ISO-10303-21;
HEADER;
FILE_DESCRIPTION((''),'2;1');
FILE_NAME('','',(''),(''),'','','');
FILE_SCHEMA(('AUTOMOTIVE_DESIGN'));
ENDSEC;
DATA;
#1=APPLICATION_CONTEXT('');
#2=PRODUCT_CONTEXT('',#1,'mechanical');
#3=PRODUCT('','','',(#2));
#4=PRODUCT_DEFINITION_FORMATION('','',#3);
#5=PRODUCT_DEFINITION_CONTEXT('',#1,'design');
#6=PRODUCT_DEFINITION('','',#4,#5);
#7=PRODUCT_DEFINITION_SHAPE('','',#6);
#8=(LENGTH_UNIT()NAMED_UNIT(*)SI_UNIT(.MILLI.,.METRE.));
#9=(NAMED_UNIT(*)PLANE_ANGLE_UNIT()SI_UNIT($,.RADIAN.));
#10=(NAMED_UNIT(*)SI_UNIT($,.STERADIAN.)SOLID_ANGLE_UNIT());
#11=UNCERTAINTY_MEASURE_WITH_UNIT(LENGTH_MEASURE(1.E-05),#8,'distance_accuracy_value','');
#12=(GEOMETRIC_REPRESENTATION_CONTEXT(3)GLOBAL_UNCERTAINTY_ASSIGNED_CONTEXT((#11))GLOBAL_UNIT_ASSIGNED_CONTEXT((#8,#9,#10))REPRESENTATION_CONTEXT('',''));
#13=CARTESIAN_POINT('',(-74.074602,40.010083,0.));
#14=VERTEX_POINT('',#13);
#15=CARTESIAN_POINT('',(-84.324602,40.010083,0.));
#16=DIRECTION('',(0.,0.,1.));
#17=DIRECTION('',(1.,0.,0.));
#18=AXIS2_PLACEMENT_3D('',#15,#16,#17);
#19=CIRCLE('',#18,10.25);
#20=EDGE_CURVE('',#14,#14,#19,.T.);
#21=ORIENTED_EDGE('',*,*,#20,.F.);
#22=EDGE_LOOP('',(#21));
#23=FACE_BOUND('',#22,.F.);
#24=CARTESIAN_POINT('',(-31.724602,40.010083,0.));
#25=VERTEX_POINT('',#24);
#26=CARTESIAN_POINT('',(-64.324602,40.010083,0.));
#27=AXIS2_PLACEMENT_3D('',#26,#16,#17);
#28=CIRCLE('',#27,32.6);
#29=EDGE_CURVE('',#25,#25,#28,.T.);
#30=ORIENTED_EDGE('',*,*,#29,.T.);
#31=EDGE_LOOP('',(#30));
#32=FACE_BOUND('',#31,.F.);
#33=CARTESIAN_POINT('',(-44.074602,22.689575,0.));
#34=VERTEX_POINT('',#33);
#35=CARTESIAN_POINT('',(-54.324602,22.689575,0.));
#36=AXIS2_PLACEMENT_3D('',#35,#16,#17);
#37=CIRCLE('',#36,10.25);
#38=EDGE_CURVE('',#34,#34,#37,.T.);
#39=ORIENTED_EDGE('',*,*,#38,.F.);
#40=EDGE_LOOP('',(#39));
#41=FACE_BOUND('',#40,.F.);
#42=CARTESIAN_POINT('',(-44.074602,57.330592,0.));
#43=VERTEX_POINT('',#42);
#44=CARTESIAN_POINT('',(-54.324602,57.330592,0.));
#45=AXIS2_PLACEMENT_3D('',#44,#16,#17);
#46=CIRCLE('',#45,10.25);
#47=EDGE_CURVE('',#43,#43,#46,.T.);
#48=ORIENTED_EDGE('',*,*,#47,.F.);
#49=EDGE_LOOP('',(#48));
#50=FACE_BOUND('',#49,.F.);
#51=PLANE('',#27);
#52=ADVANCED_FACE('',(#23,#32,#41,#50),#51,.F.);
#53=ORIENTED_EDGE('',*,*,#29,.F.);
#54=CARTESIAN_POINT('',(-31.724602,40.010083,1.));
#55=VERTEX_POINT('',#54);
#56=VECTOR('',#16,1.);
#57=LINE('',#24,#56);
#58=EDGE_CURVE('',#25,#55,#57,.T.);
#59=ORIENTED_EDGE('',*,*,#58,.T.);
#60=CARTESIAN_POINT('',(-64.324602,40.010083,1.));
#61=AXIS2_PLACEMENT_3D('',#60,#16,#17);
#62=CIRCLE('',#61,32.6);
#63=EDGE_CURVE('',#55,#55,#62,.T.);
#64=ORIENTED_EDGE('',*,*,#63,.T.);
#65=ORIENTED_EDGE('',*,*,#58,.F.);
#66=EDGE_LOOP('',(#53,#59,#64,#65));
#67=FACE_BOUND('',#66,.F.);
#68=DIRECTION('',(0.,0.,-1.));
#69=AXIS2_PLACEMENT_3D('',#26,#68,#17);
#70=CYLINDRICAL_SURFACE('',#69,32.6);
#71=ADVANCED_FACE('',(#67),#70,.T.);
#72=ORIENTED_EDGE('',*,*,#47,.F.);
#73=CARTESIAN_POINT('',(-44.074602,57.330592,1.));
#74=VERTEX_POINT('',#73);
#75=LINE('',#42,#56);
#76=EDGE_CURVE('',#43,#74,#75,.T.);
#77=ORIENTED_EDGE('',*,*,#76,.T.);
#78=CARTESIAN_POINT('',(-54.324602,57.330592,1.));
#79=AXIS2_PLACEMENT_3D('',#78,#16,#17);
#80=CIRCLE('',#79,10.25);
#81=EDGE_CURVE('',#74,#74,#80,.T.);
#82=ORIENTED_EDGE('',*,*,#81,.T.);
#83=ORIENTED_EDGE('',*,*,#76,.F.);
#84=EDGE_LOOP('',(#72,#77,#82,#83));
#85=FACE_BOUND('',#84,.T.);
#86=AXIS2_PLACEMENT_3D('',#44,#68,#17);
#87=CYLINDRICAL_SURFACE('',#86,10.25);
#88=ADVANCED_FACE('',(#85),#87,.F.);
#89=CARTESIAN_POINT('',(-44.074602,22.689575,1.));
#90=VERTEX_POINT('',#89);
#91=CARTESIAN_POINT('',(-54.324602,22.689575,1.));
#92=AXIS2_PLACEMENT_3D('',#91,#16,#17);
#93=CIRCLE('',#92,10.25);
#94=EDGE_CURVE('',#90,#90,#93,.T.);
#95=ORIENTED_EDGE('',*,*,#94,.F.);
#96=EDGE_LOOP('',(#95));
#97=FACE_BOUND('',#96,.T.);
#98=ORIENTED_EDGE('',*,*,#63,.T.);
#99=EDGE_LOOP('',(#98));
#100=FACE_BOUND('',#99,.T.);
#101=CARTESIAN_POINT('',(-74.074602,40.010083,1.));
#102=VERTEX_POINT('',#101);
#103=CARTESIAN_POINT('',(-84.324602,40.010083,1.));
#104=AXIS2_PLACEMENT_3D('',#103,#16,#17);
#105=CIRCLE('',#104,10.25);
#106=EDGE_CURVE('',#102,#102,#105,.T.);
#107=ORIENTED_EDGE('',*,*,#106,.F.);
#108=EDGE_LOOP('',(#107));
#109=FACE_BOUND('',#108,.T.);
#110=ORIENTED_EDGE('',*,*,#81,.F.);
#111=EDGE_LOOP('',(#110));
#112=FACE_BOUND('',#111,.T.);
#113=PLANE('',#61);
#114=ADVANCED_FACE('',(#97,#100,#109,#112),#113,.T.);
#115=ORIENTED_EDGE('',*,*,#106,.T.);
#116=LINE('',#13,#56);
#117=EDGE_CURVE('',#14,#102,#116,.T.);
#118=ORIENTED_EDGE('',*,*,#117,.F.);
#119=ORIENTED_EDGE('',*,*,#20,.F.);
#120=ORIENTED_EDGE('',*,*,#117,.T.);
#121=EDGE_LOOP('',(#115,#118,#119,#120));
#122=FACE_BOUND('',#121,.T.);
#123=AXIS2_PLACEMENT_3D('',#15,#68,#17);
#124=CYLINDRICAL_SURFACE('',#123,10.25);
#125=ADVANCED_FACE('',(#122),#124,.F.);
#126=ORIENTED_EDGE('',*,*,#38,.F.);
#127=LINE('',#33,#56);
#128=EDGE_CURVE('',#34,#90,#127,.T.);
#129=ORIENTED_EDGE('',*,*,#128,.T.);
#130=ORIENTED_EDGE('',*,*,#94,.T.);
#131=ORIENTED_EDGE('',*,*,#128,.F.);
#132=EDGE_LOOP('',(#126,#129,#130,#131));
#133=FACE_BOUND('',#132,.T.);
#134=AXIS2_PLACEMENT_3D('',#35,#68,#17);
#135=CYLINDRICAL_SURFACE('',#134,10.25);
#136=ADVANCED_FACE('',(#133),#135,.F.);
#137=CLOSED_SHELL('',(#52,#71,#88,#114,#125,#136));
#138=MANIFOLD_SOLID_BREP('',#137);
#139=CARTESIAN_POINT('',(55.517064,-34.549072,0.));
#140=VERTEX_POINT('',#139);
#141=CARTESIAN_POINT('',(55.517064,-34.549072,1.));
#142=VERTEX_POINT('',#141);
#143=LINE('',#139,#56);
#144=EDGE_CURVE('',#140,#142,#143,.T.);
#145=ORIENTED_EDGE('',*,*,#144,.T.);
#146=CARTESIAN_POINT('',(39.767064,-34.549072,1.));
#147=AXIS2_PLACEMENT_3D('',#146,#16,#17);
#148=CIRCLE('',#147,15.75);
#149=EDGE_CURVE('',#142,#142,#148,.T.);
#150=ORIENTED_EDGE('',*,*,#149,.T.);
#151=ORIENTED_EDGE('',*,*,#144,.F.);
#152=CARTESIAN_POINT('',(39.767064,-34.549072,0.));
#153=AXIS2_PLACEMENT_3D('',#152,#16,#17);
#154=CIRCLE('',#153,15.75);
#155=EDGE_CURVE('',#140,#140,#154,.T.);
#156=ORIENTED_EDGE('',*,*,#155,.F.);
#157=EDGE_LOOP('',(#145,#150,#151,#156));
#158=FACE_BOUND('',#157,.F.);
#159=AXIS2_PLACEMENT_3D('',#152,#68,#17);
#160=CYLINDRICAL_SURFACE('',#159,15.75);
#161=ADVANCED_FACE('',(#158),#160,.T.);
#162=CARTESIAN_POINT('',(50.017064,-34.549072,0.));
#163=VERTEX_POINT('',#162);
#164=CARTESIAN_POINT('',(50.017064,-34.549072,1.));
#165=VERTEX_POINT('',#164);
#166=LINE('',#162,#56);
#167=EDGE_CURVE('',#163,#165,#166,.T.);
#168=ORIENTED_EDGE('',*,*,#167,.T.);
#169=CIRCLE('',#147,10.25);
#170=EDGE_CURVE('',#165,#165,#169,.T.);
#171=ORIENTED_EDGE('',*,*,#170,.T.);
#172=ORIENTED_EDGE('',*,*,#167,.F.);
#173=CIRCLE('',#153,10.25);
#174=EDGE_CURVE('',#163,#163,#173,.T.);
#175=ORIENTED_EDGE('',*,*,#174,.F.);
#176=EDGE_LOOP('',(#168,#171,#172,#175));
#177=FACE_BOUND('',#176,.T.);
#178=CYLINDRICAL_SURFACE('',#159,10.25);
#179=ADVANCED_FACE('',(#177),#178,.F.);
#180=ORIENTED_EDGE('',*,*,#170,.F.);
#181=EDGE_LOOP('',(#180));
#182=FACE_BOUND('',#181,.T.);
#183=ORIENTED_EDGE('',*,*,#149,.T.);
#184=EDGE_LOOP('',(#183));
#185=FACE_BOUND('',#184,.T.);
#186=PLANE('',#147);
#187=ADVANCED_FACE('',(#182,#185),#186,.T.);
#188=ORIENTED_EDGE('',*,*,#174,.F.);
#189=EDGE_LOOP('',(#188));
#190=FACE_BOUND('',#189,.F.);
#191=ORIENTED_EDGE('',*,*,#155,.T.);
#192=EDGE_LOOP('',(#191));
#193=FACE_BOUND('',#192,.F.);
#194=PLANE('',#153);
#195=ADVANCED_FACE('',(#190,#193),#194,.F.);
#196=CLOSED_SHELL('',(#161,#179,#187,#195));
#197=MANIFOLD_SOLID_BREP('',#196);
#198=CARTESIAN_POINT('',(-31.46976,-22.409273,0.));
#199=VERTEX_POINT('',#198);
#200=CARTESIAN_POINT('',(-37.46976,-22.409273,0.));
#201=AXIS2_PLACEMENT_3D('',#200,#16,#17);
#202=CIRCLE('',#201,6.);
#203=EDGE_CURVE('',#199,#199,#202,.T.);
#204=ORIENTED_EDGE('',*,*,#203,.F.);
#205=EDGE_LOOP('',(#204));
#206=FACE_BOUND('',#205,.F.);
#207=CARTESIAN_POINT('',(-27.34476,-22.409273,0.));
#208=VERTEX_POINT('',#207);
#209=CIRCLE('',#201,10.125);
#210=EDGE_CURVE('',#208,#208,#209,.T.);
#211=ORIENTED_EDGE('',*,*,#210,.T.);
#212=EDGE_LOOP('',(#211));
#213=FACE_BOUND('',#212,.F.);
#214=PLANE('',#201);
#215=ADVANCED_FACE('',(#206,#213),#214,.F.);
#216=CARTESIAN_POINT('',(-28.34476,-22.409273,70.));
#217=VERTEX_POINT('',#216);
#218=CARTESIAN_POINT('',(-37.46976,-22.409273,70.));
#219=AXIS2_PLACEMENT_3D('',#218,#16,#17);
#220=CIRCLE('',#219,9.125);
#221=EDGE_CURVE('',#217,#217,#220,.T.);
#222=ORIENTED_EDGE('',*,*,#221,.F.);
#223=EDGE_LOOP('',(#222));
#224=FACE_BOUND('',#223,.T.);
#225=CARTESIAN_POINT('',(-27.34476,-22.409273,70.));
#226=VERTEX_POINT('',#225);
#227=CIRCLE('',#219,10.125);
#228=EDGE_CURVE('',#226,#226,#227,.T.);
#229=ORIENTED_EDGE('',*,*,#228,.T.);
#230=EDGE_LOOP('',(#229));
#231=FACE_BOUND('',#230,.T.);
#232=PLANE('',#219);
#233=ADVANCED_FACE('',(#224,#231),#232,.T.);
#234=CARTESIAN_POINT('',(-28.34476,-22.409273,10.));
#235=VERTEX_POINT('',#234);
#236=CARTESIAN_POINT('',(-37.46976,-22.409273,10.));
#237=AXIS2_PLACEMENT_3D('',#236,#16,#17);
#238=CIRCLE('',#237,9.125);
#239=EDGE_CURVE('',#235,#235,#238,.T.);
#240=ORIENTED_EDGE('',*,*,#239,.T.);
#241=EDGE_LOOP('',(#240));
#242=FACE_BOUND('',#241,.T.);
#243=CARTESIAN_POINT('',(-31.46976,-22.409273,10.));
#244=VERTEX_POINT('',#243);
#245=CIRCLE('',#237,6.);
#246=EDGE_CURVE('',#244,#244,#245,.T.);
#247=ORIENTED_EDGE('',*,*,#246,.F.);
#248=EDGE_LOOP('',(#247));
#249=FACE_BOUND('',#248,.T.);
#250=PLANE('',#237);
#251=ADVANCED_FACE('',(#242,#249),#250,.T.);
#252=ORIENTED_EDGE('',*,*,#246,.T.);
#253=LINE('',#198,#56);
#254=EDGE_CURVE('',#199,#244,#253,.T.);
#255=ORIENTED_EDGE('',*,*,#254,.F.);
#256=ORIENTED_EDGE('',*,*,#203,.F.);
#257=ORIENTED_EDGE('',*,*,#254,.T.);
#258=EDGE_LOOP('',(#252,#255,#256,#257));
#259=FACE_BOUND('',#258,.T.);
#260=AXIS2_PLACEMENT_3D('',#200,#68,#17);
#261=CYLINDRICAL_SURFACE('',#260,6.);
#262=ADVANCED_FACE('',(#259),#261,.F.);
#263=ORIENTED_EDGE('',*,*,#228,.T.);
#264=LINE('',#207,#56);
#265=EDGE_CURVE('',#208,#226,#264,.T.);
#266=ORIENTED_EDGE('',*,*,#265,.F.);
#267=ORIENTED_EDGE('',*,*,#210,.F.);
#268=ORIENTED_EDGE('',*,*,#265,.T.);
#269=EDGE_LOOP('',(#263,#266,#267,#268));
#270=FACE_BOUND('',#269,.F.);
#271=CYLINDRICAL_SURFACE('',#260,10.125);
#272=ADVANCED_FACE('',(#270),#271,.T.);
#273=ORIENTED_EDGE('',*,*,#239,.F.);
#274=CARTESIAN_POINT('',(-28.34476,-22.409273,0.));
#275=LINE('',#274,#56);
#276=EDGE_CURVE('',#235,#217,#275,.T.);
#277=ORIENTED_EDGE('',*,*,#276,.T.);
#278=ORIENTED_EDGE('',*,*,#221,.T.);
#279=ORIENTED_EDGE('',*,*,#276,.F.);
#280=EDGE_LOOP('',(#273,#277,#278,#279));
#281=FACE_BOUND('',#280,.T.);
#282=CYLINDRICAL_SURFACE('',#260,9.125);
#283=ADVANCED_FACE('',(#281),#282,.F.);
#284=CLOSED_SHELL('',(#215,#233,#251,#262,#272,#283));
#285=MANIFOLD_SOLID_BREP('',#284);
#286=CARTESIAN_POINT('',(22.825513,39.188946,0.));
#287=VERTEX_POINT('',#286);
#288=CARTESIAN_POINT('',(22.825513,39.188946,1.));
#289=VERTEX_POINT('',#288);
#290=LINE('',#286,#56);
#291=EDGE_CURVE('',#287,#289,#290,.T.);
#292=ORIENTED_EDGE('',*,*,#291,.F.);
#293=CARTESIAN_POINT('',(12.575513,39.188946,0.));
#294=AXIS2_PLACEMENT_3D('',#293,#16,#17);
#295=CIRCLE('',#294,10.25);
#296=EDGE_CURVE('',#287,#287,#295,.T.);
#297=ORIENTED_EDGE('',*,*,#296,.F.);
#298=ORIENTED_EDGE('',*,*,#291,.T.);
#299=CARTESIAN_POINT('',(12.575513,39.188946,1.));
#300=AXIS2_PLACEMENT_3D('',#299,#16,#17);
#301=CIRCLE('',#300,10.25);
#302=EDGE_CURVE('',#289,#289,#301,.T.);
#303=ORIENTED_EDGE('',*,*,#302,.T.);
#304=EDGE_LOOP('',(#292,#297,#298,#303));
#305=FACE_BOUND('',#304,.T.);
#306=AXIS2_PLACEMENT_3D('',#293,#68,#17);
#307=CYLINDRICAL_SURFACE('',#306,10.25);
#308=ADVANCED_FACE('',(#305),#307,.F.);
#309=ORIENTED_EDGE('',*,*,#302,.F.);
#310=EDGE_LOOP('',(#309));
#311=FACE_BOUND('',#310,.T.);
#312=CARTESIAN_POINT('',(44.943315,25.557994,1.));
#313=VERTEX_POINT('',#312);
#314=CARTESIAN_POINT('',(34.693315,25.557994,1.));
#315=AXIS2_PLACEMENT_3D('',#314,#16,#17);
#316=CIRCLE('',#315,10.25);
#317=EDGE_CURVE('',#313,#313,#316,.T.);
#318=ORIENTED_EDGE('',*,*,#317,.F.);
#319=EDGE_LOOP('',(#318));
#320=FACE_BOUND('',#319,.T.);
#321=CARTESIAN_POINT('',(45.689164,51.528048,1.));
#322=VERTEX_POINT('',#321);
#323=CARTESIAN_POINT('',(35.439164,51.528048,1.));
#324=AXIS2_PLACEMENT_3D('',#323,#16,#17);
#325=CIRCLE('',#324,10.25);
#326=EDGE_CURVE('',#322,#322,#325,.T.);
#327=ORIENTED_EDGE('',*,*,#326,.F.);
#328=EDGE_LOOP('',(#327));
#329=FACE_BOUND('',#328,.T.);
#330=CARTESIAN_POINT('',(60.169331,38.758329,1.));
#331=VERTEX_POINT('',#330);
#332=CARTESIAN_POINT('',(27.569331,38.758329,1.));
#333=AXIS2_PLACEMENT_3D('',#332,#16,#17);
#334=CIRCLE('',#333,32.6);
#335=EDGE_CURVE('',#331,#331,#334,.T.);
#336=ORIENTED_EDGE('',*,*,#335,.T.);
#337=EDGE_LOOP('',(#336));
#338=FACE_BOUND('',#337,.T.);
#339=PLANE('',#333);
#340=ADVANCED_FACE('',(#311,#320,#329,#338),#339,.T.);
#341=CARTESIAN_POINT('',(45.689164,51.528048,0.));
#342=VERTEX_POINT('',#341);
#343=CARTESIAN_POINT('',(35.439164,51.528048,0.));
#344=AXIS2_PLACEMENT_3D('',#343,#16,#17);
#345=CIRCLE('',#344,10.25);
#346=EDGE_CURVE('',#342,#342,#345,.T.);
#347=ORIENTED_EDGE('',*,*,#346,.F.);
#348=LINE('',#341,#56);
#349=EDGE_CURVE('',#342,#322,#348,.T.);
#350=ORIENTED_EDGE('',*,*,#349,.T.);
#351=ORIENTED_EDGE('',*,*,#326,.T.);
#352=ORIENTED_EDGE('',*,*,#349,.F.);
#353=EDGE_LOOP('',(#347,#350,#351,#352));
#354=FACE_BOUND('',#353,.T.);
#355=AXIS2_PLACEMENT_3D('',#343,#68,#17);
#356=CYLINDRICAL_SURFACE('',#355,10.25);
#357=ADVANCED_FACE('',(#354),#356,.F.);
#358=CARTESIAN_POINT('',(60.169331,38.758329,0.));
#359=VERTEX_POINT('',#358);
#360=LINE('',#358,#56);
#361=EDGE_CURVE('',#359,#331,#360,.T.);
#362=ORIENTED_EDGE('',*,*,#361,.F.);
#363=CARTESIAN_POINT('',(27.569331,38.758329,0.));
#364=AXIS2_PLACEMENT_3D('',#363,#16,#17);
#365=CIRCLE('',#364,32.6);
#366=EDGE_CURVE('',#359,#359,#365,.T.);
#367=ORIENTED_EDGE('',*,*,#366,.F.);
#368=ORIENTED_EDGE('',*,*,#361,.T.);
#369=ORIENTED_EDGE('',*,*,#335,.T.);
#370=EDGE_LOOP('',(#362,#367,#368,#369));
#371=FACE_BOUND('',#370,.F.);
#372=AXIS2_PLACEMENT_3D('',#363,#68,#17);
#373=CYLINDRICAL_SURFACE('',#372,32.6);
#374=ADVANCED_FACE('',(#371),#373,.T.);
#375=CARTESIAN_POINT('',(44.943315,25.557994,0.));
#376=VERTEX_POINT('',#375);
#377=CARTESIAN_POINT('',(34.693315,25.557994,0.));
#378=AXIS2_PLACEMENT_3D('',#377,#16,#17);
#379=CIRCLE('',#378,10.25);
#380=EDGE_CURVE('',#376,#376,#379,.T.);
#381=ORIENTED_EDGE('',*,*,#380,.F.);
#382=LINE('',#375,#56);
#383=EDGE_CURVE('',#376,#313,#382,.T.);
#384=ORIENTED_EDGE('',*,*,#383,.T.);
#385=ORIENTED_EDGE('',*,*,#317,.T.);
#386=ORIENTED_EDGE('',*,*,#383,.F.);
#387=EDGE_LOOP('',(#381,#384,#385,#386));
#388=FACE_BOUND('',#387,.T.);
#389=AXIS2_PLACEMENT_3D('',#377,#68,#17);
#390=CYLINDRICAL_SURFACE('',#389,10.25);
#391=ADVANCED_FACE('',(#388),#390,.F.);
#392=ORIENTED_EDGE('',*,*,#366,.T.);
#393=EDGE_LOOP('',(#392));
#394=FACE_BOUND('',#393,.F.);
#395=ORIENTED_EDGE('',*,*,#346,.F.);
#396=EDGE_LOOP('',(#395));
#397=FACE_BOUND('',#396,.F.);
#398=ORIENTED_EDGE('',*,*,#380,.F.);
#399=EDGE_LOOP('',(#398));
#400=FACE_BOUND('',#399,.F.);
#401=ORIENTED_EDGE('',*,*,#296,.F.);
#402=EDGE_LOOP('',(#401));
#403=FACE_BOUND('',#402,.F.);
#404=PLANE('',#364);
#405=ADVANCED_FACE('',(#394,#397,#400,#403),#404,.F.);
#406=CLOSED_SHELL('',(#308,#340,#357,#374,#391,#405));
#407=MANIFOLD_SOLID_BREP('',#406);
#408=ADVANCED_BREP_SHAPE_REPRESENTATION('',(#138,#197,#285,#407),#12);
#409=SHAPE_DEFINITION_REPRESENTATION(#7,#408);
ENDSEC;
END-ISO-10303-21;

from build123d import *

# Parameters (mm, degrees)
F0_R     = 32.6
F0_R_2   = 10.25
F1_DEPTH = 1
F0_R_3   = 10.125
F0_R_4   = 9.125
F2_DEPTH = 70
F0_R_5   = 6
F3_DEPTH = 10
F0_R_6   = 15.75
F4_DEPTH = 1


with BuildPart() as f1:
    # F0 (on Top) → F1 (new body)
    with BuildSketch(Plane.XY):
        with Locations((-64.324602, 40.010083)):
            Circle(F0_R)
        with Locations((-84.324602, 40.010083)):
            Circle(F0_R_2, mode=Mode.SUBTRACT)
        with Locations((-54.324602, 22.689575)):
            Circle(F0_R_2, mode=Mode.SUBTRACT)
        with Locations((-54.324602, 57.330592)):
            Circle(F0_R_2, mode=Mode.SUBTRACT)
        with Locations((27.569331, 38.758329)):
            Circle(F0_R)
        with Locations((12.575513, 39.188946)):
            Circle(F0_R_2, mode=Mode.SUBTRACT)
        with Locations((34.693315, 25.557994)):
            Circle(F0_R_2, mode=Mode.SUBTRACT)
        with Locations((35.439164, 51.528048)):
            Circle(F0_R_2, mode=Mode.SUBTRACT)
    extrude(amount=F1_DEPTH)


with BuildPart() as f2:
    # F0 (on Top) → F2 (new body)
    with BuildSketch(Plane.XY):
        with Locations((-37.46976, -22.409273)):
            Circle(F0_R_3)
        with Locations((-37.46976, -22.409273)):
            Circle(F0_R_4, mode=Mode.SUBTRACT)
    extrude(amount=F2_DEPTH)

    # F0 (on Top) → F3 (join)
    with BuildSketch(Plane.XY):
        with Locations((-37.46976, -22.409273)):
            Circle(F0_R_4)
        with Locations((-37.46976, -22.409273)):
            Circle(F0_R_5, mode=Mode.SUBTRACT)
    extrude(amount=F3_DEPTH)


with BuildPart() as f4:
    # F0 (on Top) → F4 (new body)
    with BuildSketch(Plane.XY):
        with Locations((39.767064, -34.549072)):
            Circle(F0_R_6)
        with Locations((39.767064, -34.549072)):
            Circle(F0_R_2, mode=Mode.SUBTRACT)
    extrude(amount=F4_DEPTH)


solid = Compound([f1.part, f2.part, f4.part])
